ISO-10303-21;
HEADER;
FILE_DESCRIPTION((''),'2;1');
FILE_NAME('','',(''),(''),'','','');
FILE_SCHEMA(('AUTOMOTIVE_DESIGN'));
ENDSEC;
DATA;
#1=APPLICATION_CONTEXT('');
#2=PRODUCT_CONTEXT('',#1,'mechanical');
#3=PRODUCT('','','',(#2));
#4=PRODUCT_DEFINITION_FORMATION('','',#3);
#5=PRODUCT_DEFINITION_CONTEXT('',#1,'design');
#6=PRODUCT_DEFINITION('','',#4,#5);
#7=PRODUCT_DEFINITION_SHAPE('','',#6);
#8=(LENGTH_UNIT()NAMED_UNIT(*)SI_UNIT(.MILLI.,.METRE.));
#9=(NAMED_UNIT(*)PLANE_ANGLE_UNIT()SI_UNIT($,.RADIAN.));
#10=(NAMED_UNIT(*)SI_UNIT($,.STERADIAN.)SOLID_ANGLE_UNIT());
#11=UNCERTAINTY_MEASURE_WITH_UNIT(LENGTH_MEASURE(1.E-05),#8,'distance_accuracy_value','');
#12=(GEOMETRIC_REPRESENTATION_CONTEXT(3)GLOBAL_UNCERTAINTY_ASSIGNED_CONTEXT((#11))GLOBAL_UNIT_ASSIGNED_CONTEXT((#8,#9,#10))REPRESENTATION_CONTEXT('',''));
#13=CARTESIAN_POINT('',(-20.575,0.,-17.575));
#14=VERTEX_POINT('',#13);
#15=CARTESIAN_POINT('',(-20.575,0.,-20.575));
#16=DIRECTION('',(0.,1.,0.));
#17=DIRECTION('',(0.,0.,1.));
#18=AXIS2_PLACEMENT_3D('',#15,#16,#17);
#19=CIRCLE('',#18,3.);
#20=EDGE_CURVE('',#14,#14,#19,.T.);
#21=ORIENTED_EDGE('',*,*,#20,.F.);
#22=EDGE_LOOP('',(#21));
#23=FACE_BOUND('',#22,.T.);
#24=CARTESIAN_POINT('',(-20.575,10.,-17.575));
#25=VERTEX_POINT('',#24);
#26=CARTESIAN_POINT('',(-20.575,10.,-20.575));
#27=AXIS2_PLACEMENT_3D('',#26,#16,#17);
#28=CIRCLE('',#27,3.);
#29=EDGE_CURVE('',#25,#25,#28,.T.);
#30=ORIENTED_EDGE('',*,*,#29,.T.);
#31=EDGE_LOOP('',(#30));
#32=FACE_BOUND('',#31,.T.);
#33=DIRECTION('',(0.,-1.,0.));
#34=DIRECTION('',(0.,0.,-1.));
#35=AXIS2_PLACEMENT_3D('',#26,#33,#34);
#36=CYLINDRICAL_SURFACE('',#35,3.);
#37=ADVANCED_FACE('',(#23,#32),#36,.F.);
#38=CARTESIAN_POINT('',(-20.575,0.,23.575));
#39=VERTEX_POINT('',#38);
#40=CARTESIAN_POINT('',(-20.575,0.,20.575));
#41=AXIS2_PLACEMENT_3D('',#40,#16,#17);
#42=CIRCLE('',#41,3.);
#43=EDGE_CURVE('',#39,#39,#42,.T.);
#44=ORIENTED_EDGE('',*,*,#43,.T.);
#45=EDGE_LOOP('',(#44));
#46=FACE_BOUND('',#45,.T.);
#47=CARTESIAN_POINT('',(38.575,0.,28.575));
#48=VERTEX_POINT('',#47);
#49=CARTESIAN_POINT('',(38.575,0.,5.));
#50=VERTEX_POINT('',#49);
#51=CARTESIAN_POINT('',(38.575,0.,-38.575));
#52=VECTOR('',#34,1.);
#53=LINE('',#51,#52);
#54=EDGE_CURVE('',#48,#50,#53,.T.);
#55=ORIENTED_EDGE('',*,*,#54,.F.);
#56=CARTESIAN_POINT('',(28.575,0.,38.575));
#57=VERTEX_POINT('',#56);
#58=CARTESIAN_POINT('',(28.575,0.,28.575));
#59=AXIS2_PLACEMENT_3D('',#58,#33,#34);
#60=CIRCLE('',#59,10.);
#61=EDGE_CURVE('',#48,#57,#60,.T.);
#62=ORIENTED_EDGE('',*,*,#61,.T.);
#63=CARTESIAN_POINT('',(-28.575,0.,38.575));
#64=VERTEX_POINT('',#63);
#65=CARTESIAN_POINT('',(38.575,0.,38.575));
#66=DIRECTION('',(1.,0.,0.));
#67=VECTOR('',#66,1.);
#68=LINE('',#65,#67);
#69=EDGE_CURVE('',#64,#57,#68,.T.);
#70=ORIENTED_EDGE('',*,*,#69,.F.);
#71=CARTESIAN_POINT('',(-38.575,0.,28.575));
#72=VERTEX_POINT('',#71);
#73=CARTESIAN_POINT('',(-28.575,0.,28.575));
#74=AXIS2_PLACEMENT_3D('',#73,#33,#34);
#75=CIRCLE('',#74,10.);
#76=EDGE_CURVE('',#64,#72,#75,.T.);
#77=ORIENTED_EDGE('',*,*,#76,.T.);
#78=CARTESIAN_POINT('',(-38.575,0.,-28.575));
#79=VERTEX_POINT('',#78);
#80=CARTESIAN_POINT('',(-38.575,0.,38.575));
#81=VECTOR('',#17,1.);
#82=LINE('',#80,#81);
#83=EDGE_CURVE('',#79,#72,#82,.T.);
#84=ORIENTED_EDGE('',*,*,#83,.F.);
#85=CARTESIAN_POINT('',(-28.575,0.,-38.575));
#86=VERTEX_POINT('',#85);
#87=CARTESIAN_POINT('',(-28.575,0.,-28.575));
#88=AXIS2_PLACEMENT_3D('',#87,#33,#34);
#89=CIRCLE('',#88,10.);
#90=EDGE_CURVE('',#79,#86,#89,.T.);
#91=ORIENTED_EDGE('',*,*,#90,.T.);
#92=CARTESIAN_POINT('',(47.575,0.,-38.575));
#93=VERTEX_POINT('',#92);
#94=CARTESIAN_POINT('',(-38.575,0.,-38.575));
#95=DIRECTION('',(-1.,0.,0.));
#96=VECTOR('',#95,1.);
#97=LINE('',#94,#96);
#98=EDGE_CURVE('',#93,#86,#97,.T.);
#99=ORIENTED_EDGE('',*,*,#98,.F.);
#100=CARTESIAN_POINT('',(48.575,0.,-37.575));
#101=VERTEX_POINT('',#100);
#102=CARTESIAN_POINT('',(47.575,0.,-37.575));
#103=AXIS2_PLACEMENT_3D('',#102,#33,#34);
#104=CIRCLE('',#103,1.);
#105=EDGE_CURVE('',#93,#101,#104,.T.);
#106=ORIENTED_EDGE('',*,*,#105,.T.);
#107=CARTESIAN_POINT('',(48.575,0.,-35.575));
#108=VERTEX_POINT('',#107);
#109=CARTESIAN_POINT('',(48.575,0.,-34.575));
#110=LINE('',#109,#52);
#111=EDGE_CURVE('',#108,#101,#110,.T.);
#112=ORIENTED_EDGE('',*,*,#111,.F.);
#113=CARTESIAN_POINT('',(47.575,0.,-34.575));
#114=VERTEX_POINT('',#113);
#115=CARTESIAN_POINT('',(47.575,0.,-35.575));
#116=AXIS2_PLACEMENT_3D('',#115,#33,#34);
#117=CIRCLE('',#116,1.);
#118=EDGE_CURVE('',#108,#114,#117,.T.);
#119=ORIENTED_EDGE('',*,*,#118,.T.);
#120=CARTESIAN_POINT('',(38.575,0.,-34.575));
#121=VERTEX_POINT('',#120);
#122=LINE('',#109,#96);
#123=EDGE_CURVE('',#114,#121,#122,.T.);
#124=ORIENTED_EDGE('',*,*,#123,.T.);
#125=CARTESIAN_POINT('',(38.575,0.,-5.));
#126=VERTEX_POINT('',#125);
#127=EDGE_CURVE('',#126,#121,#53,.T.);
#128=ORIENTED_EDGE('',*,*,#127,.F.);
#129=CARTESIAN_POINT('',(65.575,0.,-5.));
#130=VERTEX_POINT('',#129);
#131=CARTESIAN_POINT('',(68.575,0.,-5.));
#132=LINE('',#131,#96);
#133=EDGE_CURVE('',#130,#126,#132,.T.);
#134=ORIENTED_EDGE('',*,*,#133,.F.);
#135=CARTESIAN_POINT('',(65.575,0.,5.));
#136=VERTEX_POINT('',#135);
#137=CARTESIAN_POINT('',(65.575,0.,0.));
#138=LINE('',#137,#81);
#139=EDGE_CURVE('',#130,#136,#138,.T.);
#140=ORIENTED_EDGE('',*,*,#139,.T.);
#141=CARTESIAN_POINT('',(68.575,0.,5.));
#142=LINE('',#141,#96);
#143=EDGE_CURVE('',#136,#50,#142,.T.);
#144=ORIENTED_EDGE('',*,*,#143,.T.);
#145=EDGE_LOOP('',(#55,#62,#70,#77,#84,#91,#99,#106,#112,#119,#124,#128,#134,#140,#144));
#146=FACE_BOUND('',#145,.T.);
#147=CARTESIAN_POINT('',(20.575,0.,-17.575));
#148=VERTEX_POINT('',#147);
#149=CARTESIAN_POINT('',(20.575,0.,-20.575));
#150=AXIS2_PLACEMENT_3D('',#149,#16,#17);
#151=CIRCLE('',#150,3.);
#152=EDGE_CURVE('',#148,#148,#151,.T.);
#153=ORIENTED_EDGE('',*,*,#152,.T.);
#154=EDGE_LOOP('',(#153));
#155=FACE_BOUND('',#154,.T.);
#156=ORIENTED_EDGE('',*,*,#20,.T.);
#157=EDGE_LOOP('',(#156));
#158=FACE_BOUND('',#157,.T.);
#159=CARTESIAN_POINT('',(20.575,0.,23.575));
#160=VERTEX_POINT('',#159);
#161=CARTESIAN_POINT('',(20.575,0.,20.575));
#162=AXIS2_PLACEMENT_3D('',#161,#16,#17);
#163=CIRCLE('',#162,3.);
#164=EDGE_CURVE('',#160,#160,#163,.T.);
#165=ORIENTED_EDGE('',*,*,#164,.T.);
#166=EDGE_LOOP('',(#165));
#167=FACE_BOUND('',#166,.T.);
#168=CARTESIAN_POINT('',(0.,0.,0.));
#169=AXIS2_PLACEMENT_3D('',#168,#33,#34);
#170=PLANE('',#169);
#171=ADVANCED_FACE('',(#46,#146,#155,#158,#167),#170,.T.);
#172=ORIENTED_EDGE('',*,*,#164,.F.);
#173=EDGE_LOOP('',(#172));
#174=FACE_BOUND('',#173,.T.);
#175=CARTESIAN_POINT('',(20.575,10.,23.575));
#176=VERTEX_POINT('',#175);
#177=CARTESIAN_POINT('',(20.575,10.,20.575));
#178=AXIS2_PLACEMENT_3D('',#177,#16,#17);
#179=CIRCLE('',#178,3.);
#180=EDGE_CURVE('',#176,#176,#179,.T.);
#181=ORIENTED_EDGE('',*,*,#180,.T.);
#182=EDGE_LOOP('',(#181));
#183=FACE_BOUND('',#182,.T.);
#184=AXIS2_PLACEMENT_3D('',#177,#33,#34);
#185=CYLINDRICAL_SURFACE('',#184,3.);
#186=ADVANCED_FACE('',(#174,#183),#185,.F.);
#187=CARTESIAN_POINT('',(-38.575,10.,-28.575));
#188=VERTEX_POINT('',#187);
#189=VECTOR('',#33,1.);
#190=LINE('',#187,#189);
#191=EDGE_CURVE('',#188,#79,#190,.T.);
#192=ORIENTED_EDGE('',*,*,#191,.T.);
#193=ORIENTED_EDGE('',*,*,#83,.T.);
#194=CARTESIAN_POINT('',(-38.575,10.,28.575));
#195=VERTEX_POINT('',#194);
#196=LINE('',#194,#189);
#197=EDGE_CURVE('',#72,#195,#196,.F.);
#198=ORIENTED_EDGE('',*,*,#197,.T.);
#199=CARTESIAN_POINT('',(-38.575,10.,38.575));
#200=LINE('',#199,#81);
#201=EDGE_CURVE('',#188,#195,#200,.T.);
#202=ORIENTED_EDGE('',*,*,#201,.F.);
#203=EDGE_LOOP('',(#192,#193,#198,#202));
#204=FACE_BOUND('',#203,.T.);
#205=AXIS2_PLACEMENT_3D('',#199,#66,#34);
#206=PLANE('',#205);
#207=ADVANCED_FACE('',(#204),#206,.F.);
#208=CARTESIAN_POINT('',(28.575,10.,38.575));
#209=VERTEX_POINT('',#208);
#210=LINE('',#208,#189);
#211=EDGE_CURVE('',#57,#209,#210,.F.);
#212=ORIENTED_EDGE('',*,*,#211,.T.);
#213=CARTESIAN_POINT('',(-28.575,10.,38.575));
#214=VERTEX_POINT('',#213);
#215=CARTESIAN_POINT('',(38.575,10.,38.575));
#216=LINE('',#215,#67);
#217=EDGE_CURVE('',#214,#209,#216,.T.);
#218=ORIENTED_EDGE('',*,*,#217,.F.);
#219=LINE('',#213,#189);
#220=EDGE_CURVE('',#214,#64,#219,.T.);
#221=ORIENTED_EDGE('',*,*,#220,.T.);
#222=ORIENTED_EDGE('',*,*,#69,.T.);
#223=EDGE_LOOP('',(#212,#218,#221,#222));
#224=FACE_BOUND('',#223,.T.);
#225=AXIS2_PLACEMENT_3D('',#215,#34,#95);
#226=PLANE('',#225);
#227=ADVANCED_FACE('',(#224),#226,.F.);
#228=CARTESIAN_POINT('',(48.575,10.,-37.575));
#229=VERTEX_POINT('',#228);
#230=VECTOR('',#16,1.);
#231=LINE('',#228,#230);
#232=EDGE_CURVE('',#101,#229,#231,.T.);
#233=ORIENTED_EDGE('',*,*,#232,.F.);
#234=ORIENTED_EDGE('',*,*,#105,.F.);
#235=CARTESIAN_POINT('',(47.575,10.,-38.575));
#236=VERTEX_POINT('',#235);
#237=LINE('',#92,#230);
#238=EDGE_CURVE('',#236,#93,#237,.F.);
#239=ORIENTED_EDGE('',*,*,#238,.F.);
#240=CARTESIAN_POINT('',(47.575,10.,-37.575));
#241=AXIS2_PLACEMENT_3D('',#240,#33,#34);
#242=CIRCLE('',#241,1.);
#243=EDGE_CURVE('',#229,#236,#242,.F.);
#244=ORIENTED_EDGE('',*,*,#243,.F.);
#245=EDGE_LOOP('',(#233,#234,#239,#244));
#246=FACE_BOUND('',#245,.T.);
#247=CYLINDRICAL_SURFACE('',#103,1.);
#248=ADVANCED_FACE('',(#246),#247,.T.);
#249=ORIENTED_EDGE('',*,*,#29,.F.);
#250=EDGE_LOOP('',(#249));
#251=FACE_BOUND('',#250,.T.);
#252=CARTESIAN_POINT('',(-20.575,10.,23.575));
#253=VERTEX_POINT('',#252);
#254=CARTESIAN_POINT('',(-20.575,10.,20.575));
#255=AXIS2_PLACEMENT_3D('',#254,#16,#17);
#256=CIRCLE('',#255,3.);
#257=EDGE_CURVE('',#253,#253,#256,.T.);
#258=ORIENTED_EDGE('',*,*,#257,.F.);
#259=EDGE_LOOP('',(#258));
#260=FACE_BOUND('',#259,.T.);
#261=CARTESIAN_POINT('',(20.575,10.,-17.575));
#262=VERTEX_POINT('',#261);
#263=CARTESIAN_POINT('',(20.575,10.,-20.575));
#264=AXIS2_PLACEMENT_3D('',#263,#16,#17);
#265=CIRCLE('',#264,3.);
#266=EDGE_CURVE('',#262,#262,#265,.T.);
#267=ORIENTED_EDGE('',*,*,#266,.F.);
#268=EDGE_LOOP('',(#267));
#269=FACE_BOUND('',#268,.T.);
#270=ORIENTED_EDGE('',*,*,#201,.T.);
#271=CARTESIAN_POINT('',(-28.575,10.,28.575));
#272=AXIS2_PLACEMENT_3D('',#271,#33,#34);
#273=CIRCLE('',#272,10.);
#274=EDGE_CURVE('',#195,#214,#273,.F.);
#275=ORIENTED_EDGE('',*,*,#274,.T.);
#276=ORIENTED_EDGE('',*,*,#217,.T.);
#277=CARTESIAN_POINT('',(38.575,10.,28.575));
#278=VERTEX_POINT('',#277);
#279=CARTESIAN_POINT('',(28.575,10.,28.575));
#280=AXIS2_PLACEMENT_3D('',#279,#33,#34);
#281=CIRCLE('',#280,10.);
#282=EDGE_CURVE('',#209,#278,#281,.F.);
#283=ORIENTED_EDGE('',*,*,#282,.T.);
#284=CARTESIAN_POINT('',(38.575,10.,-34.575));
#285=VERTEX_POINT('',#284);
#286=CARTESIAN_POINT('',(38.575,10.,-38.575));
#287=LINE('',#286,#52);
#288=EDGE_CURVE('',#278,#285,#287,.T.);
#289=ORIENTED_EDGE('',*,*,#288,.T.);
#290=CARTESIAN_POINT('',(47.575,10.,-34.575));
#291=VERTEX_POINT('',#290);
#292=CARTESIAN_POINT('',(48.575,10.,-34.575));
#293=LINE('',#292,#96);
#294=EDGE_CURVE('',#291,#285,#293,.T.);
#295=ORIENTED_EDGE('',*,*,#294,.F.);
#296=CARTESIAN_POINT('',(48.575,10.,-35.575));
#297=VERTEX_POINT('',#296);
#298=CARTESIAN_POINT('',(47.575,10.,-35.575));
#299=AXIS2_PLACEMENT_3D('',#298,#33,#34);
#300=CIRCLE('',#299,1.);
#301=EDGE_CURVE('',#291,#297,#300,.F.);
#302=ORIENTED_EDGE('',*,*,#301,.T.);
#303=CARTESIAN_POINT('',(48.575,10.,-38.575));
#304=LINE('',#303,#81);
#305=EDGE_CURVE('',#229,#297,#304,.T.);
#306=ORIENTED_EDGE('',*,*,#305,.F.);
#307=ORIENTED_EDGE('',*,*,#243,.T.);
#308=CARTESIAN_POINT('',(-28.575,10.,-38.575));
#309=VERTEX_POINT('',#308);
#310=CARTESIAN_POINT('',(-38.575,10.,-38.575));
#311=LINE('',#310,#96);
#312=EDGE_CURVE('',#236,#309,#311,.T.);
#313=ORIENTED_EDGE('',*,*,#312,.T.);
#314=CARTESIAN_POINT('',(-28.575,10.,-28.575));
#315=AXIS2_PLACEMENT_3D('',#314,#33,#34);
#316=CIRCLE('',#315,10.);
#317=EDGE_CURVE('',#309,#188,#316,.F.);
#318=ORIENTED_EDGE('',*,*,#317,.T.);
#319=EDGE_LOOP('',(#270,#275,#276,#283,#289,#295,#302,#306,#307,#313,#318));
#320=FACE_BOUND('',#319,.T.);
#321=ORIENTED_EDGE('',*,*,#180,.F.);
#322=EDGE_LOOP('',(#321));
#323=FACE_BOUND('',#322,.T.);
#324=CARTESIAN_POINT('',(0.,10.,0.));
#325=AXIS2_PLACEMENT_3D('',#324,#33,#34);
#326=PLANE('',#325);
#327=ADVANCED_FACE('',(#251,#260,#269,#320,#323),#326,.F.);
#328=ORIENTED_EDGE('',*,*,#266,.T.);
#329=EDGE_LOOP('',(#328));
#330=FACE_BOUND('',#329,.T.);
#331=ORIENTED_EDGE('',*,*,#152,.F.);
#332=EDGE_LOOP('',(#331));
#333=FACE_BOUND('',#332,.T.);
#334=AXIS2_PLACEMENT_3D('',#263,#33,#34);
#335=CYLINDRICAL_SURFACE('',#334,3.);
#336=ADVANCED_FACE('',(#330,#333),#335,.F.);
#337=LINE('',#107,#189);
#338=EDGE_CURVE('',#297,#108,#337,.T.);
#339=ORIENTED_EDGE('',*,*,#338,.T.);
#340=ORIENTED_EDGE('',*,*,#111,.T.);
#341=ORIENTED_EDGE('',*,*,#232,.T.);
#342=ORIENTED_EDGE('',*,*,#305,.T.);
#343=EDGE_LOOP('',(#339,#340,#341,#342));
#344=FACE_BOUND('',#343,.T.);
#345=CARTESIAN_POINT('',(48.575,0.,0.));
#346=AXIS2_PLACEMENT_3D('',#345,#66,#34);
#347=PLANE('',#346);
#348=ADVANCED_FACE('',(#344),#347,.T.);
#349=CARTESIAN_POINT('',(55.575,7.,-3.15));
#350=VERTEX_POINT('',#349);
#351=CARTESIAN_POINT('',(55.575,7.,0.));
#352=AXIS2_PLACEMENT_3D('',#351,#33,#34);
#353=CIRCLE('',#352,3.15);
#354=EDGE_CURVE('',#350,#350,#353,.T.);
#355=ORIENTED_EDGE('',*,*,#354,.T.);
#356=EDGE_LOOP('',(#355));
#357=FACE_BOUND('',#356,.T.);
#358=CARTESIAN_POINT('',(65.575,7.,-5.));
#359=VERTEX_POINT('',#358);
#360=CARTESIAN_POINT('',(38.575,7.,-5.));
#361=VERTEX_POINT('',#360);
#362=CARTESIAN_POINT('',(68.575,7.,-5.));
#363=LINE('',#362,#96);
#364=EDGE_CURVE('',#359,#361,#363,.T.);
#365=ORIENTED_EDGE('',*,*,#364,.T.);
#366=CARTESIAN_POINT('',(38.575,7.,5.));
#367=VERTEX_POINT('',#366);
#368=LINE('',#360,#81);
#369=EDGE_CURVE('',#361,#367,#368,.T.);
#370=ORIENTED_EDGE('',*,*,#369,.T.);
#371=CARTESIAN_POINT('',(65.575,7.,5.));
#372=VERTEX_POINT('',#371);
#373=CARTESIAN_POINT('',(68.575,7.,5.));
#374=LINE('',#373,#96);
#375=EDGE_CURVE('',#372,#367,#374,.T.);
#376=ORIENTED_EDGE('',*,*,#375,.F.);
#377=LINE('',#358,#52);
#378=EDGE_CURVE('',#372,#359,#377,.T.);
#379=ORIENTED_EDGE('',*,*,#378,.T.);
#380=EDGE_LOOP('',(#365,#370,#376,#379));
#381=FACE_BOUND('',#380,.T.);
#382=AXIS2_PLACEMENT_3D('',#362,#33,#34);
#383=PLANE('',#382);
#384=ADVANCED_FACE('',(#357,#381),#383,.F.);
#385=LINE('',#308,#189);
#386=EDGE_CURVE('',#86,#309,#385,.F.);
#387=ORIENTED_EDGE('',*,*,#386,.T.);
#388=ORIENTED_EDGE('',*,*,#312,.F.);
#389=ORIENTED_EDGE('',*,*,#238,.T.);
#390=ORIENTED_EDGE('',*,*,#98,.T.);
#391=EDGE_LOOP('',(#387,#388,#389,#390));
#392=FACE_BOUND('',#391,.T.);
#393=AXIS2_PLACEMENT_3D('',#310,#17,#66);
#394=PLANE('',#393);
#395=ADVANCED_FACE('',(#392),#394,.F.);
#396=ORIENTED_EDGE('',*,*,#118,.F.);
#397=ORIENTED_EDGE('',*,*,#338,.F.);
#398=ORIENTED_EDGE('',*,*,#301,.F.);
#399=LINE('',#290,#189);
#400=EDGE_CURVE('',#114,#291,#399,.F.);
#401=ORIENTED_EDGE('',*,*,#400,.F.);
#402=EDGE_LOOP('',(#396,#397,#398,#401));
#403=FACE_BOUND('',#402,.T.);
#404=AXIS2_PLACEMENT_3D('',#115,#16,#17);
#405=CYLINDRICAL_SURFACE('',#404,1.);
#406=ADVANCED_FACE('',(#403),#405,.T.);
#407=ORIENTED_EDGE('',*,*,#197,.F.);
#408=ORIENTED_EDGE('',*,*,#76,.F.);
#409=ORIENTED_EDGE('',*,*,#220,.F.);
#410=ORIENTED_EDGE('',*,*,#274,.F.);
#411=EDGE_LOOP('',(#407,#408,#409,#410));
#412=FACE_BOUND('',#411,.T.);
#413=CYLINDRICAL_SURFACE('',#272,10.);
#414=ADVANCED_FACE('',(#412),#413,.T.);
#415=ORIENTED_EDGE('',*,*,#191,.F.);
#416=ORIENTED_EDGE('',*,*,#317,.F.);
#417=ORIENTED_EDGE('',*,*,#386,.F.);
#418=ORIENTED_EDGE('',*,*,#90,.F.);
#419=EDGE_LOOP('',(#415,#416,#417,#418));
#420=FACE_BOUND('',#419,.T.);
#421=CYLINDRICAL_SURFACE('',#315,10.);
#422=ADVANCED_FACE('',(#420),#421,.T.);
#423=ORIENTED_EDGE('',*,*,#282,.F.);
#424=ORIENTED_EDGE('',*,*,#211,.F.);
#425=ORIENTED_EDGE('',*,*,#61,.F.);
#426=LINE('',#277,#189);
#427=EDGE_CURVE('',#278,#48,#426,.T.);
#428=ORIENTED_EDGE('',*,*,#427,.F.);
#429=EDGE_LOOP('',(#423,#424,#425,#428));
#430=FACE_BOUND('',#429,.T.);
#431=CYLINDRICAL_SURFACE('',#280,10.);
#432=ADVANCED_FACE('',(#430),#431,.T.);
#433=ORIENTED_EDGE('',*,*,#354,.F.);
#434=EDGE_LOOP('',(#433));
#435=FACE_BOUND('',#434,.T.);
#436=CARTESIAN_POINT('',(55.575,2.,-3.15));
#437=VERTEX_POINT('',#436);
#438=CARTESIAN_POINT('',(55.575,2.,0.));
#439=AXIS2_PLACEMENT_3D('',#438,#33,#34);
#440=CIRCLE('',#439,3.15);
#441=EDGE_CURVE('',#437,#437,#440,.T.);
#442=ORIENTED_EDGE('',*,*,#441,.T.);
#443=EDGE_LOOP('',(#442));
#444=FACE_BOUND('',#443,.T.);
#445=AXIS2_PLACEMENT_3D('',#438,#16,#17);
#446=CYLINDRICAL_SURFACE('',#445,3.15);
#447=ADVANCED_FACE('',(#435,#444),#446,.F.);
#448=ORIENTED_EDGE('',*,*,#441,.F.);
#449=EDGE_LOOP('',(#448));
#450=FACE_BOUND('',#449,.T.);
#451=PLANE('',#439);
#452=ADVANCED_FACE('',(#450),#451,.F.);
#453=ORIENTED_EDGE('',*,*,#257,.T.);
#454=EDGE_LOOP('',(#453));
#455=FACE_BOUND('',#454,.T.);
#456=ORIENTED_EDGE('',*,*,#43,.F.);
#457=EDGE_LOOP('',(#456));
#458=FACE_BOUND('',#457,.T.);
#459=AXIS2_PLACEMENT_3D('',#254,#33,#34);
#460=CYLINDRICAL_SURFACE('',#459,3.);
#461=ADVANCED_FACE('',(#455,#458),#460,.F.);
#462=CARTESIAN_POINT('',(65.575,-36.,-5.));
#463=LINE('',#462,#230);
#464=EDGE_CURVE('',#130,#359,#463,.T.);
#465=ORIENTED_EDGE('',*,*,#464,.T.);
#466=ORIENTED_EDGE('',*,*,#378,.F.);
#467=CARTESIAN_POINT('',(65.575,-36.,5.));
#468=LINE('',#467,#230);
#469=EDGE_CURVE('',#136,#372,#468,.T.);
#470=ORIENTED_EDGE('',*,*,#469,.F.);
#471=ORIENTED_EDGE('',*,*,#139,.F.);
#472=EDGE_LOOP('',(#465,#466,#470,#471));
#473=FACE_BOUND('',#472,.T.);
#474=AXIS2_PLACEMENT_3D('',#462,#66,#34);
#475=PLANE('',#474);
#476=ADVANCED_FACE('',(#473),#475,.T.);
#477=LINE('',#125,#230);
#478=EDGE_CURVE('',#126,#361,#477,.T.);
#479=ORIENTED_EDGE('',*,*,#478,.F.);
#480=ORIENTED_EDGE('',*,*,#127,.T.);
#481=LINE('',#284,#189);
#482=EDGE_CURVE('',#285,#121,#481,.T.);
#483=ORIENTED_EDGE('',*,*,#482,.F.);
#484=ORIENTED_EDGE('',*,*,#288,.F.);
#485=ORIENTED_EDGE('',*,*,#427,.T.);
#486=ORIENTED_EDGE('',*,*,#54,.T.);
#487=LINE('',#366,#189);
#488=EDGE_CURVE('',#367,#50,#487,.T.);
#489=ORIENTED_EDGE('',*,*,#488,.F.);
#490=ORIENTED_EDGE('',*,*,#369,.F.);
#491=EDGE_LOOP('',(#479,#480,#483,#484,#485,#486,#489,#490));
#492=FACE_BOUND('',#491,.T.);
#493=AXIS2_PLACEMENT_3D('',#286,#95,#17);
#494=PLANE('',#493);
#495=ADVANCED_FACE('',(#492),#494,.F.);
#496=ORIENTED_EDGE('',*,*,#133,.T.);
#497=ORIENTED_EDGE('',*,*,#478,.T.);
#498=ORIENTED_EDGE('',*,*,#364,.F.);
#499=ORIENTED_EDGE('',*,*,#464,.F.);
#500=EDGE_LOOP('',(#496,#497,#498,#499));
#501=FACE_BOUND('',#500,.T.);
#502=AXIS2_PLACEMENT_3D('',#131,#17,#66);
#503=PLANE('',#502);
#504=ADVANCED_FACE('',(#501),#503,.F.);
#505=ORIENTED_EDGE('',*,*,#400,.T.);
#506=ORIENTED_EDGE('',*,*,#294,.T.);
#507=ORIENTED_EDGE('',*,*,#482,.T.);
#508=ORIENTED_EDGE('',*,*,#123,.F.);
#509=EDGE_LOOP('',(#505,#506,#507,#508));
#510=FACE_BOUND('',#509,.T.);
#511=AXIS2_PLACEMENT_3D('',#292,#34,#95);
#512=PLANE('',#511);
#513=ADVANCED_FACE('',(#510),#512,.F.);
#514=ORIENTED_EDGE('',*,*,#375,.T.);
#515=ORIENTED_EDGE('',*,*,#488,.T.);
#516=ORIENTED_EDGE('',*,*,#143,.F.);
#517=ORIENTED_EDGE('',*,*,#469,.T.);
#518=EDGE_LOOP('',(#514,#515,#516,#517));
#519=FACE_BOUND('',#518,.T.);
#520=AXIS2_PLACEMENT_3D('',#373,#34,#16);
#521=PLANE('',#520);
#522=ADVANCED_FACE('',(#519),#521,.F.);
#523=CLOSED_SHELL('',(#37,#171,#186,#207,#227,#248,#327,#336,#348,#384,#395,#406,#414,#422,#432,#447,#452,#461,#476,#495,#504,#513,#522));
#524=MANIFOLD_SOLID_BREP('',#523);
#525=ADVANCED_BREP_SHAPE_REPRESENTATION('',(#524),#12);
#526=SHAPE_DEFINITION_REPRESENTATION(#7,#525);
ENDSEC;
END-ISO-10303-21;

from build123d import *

# Parameters (mm, degrees)
CROQUIS1_W              = 77.15
CROQUIS1_H              = 77.15
CROQUIS1_R              = 3
SALIENTE_EXTRUIR1_DEPTH = 10
REDONDEO1_R             = 10
SALIENTE_EXTRUIR2_DEPTH = 30
CORTAR_EXTRUIR1_START   = -3
CROQUIS3_R              = 3.15
CORTAR_EXTRUIR1_DEPTH   = 5
CORTAR_EXTRUIR2_START   = -3
CROQUIS4_W              = 3
CROQUIS4_H              = 10
CORTAR_EXTRUIR2_DEPTH   = 43
CROQUIS5_W              = 4
CROQUIS5_H              = 10
SALIENTE_EXTRUIR3_DEPTH = 10
REDONDEO2_R             = 1


with BuildPart() as part:
    # Croquis1 → Saliente-Extruir1 (new body)
    with BuildSketch(Plane(origin=(0, 0, 0), x_dir=(1, 0, 0), z_dir=(0, 1, 0))):
        Rectangle(CROQUIS1_W, CROQUIS1_H)
        with Locations(Location((-20.575, -20.575, 0), (0, 0, 270))):
            Circle(CROQUIS1_R, mode=Mode.SUBTRACT)
        with Locations(Location((-20.575, 20.575, 0), (0, 0, 270))):
            Circle(CROQUIS1_R, mode=Mode.SUBTRACT)
        with Locations(Location((20.575, 20.575, 0), (0, 0, 270))):
            Circle(CROQUIS1_R, mode=Mode.SUBTRACT)
        with Locations(Location((20.575, -20.575, 0), (0, 0, 270))):
            Circle(CROQUIS1_R, mode=Mode.SUBTRACT)
    extrude(amount=SALIENTE_EXTRUIR1_DEPTH)

    # Redondeo1
    redondeo1_edges = [part.edges().sort_by_distance(p)[0] for p in [
        (-38.575, 5, 38.575),
        (-38.575, 5, -38.575),
        (38.575, 5, 38.575),
    ]]
    fillet(redondeo1_edges, radius=REDONDEO1_R)

    # Croquis2 → Saliente-Extruir2 (add)
    with BuildSketch(Plane(origin=(38.575, 0, 0), x_dir=(0, 0, -1), z_dir=(1, 0, 0))):
        Polygon((5, 0), (0, 0), (-5, 0), (-5, 7), (5, 7), align=None)
    extrude(amount=SALIENTE_EXTRUIR2_DEPTH)

    # Croquis3 → Cortar-Extruir1 (cut)
    with BuildSketch(Plane(origin=(0, 10, 0), x_dir=(1, 0, 0), z_dir=(0, 1, 0)).offset(CORTAR_EXTRUIR1_START)):
        with Locations(Location((55.575, 0, 0), (0, 0, 90))):
            Circle(CROQUIS3_R)
    extrude(amount=-CORTAR_EXTRUIR1_DEPTH, mode=Mode.SUBTRACT)

    # Croquis4 → Cortar-Extruir2 (cut)
    with BuildSketch(Plane(origin=(0, 10, 0), x_dir=(1, 0, 0), z_dir=(0, 1, 0)).offset(CORTAR_EXTRUIR2_START)):
        with Locations((67.075, 0)):
            Rectangle(CROQUIS4_W, CROQUIS4_H)
    extrude(amount=-CORTAR_EXTRUIR2_DEPTH, mode=Mode.SUBTRACT)

    # Croquis5 → Saliente-Extruir3 (add)
    with BuildSketch(Plane(origin=(38.575, 0, 0), x_dir=(0, 0, -1), z_dir=(1, 0, 0))):
        with Locations((36.575, 5)):
            Rectangle(CROQUIS5_W, CROQUIS5_H)
    extrude(amount=SALIENTE_EXTRUIR3_DEPTH)

    # Redondeo2
    redondeo2_edges = [part.edges().sort_by_distance(p)[0] for p in [
        (48.575, 5, -38.575),
        (48.575, 5, -34.575),
    ]]
    fillet(redondeo2_edges, radius=REDONDEO2_R)


solid = part.part
